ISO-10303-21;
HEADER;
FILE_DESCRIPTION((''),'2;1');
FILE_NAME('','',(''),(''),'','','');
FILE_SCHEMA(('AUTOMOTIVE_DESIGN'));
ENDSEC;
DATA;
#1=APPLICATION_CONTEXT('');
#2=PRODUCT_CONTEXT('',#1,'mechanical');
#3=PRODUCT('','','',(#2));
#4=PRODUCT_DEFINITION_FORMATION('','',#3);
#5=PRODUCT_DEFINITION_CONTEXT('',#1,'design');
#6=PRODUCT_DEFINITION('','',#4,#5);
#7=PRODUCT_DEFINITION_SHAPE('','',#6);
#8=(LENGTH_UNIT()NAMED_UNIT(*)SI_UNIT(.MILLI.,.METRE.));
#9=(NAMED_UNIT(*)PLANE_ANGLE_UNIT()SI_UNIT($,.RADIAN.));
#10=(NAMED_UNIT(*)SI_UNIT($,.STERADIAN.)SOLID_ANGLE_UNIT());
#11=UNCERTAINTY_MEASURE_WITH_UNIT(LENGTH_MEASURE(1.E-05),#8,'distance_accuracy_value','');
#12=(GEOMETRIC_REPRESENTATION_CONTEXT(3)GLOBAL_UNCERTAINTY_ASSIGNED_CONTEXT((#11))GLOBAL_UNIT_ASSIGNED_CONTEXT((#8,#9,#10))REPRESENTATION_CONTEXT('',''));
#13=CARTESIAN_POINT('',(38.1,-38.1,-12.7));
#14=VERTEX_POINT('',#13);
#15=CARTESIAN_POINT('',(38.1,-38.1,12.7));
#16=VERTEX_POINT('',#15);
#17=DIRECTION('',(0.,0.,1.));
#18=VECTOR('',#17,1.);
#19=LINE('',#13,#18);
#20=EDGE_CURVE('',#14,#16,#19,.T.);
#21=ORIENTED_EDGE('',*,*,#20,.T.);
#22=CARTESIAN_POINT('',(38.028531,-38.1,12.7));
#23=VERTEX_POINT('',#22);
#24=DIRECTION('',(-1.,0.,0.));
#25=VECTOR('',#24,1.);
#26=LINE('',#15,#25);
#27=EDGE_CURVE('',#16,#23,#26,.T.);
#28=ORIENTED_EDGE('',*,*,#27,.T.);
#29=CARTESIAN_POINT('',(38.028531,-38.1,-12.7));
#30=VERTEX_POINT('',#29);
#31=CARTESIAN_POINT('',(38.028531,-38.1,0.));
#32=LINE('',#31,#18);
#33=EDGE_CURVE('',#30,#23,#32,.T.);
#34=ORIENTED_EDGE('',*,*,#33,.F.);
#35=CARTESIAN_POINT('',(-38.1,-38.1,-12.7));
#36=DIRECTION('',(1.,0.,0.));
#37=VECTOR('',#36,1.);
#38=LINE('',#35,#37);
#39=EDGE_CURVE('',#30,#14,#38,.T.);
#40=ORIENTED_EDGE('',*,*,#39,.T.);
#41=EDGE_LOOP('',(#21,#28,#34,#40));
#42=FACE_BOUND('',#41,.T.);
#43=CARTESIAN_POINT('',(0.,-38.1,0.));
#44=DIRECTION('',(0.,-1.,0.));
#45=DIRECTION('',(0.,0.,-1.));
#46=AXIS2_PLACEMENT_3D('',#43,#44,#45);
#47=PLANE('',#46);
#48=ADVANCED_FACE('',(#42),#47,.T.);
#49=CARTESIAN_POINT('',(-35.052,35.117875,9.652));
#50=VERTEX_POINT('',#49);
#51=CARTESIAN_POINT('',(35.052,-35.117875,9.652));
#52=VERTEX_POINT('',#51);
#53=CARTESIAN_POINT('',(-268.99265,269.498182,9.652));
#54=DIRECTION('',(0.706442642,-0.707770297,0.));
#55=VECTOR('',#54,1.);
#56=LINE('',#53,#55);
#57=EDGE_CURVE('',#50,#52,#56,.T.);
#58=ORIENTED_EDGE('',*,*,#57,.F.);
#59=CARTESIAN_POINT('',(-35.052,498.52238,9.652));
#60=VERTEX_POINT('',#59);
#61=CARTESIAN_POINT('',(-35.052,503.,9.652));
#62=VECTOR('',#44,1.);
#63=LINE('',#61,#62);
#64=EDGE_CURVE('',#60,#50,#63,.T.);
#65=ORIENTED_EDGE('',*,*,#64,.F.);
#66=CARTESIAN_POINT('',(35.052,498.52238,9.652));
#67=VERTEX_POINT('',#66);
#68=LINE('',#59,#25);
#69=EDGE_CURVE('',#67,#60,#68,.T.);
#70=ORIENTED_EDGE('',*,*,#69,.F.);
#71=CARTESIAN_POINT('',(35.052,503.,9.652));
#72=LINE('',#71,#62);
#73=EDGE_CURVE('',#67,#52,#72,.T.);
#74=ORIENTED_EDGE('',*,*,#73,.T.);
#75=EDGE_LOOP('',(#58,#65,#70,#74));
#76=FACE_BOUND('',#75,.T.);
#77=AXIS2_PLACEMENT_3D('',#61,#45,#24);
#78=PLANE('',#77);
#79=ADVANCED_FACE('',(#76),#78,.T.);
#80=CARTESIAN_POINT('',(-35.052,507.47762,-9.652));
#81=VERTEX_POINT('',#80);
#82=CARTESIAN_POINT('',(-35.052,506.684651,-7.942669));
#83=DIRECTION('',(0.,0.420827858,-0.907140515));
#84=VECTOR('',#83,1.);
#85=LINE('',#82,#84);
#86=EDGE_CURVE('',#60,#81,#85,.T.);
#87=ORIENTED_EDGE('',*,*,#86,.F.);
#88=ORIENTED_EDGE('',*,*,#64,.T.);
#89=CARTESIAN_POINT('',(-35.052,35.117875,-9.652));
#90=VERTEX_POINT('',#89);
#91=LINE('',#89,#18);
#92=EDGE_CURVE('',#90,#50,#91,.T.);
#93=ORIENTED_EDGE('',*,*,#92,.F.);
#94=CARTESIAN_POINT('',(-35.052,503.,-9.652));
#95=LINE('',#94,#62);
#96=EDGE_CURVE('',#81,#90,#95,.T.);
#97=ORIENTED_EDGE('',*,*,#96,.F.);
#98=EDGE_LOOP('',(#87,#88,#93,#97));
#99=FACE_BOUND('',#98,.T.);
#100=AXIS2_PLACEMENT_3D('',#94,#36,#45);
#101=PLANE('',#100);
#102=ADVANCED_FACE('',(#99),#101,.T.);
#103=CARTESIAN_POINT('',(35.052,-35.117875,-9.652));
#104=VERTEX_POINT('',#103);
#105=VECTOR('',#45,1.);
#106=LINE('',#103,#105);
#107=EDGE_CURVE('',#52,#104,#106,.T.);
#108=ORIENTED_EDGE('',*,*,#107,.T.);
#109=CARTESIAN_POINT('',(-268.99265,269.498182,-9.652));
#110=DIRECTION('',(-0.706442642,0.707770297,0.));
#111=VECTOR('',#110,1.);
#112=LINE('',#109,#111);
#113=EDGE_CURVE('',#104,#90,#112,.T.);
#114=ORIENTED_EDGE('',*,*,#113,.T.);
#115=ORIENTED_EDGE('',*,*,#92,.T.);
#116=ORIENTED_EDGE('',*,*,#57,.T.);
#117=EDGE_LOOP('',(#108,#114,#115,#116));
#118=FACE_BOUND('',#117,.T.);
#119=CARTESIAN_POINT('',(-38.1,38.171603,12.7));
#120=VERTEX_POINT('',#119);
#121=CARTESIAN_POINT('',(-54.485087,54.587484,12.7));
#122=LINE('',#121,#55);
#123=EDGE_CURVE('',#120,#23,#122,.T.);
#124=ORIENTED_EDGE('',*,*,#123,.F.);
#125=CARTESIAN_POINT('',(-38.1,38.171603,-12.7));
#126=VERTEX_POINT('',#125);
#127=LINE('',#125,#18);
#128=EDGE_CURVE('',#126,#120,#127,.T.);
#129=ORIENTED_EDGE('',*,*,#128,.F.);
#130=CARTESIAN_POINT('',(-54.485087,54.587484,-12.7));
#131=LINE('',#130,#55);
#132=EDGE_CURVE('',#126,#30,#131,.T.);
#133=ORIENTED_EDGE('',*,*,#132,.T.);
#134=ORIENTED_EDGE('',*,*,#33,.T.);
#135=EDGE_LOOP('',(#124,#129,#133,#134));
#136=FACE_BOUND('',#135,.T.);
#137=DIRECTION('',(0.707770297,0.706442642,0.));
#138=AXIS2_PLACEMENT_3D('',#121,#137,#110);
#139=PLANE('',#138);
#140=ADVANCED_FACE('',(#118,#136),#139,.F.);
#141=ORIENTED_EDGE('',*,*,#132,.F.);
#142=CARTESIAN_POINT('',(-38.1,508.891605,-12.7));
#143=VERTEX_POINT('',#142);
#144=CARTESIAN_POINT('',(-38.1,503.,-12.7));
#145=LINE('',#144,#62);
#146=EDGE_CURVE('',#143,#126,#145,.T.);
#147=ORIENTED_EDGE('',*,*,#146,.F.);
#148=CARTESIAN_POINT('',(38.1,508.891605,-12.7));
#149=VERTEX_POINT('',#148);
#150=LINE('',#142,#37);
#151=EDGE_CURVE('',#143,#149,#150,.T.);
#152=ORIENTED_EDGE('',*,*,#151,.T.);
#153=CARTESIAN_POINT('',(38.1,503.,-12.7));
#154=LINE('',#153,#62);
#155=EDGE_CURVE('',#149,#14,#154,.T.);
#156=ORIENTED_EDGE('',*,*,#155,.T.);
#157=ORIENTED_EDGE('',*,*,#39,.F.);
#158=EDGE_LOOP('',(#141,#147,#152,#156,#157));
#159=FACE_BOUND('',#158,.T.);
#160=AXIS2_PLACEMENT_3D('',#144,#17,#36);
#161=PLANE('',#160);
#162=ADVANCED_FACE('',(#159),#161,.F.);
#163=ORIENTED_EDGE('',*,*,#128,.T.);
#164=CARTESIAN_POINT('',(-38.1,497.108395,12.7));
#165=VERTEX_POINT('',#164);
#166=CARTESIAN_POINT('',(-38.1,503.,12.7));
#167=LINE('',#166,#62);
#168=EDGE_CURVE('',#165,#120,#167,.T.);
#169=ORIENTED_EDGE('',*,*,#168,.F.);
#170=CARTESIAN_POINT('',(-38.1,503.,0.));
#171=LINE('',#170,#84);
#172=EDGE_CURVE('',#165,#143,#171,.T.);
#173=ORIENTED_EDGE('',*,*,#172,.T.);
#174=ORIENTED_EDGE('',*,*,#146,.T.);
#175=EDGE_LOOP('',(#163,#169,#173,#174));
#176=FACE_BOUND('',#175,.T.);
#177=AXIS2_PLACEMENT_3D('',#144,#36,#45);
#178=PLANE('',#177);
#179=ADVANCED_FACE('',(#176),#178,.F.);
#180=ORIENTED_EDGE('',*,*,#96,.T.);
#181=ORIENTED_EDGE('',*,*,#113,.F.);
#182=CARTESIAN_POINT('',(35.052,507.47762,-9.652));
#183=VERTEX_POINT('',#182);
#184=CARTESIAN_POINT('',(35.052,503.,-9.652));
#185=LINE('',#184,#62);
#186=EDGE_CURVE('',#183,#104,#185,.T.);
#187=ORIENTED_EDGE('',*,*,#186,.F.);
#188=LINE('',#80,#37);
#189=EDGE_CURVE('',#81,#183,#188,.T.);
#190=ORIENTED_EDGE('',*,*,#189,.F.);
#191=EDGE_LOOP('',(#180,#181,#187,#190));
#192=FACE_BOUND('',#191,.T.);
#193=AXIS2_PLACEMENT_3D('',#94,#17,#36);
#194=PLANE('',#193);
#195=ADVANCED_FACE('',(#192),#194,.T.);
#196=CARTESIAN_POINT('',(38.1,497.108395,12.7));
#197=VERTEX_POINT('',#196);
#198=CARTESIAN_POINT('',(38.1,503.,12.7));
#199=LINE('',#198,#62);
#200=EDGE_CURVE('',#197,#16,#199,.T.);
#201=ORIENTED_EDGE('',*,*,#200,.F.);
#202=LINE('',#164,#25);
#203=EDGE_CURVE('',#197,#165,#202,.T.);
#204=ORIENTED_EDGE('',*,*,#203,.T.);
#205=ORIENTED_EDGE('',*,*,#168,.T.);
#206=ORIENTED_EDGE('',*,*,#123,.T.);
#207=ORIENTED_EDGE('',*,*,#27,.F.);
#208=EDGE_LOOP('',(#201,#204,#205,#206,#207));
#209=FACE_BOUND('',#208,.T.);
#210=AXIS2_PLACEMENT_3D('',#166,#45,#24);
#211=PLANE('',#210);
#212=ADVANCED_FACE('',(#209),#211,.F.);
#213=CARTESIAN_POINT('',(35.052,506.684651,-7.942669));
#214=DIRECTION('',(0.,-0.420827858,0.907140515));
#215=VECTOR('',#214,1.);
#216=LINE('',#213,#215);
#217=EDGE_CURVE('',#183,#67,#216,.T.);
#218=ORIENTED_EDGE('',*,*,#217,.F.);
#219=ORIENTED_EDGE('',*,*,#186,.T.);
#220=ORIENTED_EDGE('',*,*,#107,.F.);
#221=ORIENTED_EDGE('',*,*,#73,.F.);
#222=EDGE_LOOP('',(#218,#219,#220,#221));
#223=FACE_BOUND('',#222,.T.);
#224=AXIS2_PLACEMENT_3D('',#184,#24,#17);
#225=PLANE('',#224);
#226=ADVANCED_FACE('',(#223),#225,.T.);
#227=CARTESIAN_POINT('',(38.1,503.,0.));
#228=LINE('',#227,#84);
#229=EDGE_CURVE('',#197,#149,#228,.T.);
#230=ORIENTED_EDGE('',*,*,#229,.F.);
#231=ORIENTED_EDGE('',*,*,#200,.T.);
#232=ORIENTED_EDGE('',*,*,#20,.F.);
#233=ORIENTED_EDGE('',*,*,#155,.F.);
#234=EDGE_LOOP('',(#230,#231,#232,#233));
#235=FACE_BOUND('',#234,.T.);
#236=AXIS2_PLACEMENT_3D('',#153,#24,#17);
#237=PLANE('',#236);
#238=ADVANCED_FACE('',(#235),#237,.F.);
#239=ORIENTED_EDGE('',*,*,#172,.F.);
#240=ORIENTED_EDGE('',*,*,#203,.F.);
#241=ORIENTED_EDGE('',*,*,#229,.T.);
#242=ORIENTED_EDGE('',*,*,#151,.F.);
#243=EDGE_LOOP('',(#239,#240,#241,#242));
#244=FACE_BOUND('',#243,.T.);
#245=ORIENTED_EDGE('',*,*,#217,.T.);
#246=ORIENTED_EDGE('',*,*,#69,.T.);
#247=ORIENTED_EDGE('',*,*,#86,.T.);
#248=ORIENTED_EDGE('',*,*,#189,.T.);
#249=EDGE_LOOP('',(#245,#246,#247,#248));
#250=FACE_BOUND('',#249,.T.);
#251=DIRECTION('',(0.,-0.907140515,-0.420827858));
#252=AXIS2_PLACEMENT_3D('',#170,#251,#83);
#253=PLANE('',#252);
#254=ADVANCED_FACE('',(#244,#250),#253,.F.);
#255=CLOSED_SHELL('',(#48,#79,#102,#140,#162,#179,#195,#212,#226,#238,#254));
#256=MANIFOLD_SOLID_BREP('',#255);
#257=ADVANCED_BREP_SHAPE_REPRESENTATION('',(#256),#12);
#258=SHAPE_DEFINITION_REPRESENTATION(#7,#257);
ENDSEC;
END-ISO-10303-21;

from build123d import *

# Parameters (mm, degrees)
SKETCH1_W               = 76.2
SKETCH1_H               = 25.4
SKETCH1_W_2             = 70.104
SKETCH1_H_2             = 19.304
BOSS_EXTRUDE1_DEPTH     = 503
SKETCH3_W               = 76.2
SKETCH3_H               = 25.4
SKETCH3_W_2             = 70.104
SKETCH3_H_2             = 19.304
BOSS_EXTRUDE2_DEPTH     = 38.1
CUT_EXTRUDE1_DEPTH      = 13.7
CUT_EXTRUDE1_DEPTH_BACK = 13.7
SKETCH4_W               = 76.2
SKETCH4_H               = 25.4
SKETCH4_W_2             = 70.104
SKETCH4_H_2             = 19.304
BOSS_EXTRUDE3_DEPTH     = 38.1
CUT_EXTRUDE4_DEPTH      = 77.2


with BuildPart() as part:
    # Sketch1 → Boss-Extrude1 (new body)
    with BuildSketch(Plane(origin=(0, 0, 0), x_dir=(1, 0, 0), z_dir=(0, 1, 0))):
        Rectangle(SKETCH1_W, SKETCH1_H)
        Rectangle(SKETCH1_W_2, SKETCH1_H_2, mode=Mode.SUBTRACT)
    extrude(amount=BOSS_EXTRUDE1_DEPTH)

    # Sketch3 → Boss-Extrude2 (add)
    with BuildSketch(Plane.XZ):
        Rectangle(SKETCH3_W, SKETCH3_H)
        Rectangle(SKETCH3_W_2, SKETCH3_H_2, mode=Mode.SUBTRACT)
    extrude(amount=BOSS_EXTRUDE2_DEPTH)

    # Sketch5 → Cut-Extrude1 (cut, two sides)
    with BuildSketch(Plane(origin=(0, 0.04766681, 0), x_dir=(0, -1, 0), z_dir=(0, 0, -1))) as cut_extrude1_sk:
        Polygon((-54.539816916, 54.485087066), (43.408433109, -43.279429016), (134.538834899, 48.02223888), (36.590584874, 145.786754963), align=None)
    extrude(amount=CUT_EXTRUDE1_DEPTH, mode=Mode.SUBTRACT)
    extrude(cut_extrude1_sk.sketch, amount=-CUT_EXTRUDE1_DEPTH_BACK, mode=Mode.SUBTRACT)

    # Sketch4 → Boss-Extrude3 (add)
    with BuildSketch(Plane(origin=(0, 503, 0), x_dir=(1, 0, 0), z_dir=(0, 1, 0))):
        Rectangle(SKETCH4_W, SKETCH4_H)
        Rectangle(SKETCH4_W_2, SKETCH4_H_2, mode=Mode.SUBTRACT)
    extrude(amount=BOSS_EXTRUDE3_DEPTH)

    # Sketch7 → Cut-Extrude4 (cut, through all)
    with BuildSketch(Plane(origin=(38.1, 0, 0), x_dir=(0, 0, -1), z_dir=(1, 0, 0))):
        Polygon((0, 503), (-33.872693161, 487.286257), (-33.967674724, 580.672666523), (15.906824851, 602.541381241), (53.592410045, 527.861836472), align=None)
    extrude(amount=-CUT_EXTRUDE4_DEPTH, mode=Mode.SUBTRACT)


solid = part.part
